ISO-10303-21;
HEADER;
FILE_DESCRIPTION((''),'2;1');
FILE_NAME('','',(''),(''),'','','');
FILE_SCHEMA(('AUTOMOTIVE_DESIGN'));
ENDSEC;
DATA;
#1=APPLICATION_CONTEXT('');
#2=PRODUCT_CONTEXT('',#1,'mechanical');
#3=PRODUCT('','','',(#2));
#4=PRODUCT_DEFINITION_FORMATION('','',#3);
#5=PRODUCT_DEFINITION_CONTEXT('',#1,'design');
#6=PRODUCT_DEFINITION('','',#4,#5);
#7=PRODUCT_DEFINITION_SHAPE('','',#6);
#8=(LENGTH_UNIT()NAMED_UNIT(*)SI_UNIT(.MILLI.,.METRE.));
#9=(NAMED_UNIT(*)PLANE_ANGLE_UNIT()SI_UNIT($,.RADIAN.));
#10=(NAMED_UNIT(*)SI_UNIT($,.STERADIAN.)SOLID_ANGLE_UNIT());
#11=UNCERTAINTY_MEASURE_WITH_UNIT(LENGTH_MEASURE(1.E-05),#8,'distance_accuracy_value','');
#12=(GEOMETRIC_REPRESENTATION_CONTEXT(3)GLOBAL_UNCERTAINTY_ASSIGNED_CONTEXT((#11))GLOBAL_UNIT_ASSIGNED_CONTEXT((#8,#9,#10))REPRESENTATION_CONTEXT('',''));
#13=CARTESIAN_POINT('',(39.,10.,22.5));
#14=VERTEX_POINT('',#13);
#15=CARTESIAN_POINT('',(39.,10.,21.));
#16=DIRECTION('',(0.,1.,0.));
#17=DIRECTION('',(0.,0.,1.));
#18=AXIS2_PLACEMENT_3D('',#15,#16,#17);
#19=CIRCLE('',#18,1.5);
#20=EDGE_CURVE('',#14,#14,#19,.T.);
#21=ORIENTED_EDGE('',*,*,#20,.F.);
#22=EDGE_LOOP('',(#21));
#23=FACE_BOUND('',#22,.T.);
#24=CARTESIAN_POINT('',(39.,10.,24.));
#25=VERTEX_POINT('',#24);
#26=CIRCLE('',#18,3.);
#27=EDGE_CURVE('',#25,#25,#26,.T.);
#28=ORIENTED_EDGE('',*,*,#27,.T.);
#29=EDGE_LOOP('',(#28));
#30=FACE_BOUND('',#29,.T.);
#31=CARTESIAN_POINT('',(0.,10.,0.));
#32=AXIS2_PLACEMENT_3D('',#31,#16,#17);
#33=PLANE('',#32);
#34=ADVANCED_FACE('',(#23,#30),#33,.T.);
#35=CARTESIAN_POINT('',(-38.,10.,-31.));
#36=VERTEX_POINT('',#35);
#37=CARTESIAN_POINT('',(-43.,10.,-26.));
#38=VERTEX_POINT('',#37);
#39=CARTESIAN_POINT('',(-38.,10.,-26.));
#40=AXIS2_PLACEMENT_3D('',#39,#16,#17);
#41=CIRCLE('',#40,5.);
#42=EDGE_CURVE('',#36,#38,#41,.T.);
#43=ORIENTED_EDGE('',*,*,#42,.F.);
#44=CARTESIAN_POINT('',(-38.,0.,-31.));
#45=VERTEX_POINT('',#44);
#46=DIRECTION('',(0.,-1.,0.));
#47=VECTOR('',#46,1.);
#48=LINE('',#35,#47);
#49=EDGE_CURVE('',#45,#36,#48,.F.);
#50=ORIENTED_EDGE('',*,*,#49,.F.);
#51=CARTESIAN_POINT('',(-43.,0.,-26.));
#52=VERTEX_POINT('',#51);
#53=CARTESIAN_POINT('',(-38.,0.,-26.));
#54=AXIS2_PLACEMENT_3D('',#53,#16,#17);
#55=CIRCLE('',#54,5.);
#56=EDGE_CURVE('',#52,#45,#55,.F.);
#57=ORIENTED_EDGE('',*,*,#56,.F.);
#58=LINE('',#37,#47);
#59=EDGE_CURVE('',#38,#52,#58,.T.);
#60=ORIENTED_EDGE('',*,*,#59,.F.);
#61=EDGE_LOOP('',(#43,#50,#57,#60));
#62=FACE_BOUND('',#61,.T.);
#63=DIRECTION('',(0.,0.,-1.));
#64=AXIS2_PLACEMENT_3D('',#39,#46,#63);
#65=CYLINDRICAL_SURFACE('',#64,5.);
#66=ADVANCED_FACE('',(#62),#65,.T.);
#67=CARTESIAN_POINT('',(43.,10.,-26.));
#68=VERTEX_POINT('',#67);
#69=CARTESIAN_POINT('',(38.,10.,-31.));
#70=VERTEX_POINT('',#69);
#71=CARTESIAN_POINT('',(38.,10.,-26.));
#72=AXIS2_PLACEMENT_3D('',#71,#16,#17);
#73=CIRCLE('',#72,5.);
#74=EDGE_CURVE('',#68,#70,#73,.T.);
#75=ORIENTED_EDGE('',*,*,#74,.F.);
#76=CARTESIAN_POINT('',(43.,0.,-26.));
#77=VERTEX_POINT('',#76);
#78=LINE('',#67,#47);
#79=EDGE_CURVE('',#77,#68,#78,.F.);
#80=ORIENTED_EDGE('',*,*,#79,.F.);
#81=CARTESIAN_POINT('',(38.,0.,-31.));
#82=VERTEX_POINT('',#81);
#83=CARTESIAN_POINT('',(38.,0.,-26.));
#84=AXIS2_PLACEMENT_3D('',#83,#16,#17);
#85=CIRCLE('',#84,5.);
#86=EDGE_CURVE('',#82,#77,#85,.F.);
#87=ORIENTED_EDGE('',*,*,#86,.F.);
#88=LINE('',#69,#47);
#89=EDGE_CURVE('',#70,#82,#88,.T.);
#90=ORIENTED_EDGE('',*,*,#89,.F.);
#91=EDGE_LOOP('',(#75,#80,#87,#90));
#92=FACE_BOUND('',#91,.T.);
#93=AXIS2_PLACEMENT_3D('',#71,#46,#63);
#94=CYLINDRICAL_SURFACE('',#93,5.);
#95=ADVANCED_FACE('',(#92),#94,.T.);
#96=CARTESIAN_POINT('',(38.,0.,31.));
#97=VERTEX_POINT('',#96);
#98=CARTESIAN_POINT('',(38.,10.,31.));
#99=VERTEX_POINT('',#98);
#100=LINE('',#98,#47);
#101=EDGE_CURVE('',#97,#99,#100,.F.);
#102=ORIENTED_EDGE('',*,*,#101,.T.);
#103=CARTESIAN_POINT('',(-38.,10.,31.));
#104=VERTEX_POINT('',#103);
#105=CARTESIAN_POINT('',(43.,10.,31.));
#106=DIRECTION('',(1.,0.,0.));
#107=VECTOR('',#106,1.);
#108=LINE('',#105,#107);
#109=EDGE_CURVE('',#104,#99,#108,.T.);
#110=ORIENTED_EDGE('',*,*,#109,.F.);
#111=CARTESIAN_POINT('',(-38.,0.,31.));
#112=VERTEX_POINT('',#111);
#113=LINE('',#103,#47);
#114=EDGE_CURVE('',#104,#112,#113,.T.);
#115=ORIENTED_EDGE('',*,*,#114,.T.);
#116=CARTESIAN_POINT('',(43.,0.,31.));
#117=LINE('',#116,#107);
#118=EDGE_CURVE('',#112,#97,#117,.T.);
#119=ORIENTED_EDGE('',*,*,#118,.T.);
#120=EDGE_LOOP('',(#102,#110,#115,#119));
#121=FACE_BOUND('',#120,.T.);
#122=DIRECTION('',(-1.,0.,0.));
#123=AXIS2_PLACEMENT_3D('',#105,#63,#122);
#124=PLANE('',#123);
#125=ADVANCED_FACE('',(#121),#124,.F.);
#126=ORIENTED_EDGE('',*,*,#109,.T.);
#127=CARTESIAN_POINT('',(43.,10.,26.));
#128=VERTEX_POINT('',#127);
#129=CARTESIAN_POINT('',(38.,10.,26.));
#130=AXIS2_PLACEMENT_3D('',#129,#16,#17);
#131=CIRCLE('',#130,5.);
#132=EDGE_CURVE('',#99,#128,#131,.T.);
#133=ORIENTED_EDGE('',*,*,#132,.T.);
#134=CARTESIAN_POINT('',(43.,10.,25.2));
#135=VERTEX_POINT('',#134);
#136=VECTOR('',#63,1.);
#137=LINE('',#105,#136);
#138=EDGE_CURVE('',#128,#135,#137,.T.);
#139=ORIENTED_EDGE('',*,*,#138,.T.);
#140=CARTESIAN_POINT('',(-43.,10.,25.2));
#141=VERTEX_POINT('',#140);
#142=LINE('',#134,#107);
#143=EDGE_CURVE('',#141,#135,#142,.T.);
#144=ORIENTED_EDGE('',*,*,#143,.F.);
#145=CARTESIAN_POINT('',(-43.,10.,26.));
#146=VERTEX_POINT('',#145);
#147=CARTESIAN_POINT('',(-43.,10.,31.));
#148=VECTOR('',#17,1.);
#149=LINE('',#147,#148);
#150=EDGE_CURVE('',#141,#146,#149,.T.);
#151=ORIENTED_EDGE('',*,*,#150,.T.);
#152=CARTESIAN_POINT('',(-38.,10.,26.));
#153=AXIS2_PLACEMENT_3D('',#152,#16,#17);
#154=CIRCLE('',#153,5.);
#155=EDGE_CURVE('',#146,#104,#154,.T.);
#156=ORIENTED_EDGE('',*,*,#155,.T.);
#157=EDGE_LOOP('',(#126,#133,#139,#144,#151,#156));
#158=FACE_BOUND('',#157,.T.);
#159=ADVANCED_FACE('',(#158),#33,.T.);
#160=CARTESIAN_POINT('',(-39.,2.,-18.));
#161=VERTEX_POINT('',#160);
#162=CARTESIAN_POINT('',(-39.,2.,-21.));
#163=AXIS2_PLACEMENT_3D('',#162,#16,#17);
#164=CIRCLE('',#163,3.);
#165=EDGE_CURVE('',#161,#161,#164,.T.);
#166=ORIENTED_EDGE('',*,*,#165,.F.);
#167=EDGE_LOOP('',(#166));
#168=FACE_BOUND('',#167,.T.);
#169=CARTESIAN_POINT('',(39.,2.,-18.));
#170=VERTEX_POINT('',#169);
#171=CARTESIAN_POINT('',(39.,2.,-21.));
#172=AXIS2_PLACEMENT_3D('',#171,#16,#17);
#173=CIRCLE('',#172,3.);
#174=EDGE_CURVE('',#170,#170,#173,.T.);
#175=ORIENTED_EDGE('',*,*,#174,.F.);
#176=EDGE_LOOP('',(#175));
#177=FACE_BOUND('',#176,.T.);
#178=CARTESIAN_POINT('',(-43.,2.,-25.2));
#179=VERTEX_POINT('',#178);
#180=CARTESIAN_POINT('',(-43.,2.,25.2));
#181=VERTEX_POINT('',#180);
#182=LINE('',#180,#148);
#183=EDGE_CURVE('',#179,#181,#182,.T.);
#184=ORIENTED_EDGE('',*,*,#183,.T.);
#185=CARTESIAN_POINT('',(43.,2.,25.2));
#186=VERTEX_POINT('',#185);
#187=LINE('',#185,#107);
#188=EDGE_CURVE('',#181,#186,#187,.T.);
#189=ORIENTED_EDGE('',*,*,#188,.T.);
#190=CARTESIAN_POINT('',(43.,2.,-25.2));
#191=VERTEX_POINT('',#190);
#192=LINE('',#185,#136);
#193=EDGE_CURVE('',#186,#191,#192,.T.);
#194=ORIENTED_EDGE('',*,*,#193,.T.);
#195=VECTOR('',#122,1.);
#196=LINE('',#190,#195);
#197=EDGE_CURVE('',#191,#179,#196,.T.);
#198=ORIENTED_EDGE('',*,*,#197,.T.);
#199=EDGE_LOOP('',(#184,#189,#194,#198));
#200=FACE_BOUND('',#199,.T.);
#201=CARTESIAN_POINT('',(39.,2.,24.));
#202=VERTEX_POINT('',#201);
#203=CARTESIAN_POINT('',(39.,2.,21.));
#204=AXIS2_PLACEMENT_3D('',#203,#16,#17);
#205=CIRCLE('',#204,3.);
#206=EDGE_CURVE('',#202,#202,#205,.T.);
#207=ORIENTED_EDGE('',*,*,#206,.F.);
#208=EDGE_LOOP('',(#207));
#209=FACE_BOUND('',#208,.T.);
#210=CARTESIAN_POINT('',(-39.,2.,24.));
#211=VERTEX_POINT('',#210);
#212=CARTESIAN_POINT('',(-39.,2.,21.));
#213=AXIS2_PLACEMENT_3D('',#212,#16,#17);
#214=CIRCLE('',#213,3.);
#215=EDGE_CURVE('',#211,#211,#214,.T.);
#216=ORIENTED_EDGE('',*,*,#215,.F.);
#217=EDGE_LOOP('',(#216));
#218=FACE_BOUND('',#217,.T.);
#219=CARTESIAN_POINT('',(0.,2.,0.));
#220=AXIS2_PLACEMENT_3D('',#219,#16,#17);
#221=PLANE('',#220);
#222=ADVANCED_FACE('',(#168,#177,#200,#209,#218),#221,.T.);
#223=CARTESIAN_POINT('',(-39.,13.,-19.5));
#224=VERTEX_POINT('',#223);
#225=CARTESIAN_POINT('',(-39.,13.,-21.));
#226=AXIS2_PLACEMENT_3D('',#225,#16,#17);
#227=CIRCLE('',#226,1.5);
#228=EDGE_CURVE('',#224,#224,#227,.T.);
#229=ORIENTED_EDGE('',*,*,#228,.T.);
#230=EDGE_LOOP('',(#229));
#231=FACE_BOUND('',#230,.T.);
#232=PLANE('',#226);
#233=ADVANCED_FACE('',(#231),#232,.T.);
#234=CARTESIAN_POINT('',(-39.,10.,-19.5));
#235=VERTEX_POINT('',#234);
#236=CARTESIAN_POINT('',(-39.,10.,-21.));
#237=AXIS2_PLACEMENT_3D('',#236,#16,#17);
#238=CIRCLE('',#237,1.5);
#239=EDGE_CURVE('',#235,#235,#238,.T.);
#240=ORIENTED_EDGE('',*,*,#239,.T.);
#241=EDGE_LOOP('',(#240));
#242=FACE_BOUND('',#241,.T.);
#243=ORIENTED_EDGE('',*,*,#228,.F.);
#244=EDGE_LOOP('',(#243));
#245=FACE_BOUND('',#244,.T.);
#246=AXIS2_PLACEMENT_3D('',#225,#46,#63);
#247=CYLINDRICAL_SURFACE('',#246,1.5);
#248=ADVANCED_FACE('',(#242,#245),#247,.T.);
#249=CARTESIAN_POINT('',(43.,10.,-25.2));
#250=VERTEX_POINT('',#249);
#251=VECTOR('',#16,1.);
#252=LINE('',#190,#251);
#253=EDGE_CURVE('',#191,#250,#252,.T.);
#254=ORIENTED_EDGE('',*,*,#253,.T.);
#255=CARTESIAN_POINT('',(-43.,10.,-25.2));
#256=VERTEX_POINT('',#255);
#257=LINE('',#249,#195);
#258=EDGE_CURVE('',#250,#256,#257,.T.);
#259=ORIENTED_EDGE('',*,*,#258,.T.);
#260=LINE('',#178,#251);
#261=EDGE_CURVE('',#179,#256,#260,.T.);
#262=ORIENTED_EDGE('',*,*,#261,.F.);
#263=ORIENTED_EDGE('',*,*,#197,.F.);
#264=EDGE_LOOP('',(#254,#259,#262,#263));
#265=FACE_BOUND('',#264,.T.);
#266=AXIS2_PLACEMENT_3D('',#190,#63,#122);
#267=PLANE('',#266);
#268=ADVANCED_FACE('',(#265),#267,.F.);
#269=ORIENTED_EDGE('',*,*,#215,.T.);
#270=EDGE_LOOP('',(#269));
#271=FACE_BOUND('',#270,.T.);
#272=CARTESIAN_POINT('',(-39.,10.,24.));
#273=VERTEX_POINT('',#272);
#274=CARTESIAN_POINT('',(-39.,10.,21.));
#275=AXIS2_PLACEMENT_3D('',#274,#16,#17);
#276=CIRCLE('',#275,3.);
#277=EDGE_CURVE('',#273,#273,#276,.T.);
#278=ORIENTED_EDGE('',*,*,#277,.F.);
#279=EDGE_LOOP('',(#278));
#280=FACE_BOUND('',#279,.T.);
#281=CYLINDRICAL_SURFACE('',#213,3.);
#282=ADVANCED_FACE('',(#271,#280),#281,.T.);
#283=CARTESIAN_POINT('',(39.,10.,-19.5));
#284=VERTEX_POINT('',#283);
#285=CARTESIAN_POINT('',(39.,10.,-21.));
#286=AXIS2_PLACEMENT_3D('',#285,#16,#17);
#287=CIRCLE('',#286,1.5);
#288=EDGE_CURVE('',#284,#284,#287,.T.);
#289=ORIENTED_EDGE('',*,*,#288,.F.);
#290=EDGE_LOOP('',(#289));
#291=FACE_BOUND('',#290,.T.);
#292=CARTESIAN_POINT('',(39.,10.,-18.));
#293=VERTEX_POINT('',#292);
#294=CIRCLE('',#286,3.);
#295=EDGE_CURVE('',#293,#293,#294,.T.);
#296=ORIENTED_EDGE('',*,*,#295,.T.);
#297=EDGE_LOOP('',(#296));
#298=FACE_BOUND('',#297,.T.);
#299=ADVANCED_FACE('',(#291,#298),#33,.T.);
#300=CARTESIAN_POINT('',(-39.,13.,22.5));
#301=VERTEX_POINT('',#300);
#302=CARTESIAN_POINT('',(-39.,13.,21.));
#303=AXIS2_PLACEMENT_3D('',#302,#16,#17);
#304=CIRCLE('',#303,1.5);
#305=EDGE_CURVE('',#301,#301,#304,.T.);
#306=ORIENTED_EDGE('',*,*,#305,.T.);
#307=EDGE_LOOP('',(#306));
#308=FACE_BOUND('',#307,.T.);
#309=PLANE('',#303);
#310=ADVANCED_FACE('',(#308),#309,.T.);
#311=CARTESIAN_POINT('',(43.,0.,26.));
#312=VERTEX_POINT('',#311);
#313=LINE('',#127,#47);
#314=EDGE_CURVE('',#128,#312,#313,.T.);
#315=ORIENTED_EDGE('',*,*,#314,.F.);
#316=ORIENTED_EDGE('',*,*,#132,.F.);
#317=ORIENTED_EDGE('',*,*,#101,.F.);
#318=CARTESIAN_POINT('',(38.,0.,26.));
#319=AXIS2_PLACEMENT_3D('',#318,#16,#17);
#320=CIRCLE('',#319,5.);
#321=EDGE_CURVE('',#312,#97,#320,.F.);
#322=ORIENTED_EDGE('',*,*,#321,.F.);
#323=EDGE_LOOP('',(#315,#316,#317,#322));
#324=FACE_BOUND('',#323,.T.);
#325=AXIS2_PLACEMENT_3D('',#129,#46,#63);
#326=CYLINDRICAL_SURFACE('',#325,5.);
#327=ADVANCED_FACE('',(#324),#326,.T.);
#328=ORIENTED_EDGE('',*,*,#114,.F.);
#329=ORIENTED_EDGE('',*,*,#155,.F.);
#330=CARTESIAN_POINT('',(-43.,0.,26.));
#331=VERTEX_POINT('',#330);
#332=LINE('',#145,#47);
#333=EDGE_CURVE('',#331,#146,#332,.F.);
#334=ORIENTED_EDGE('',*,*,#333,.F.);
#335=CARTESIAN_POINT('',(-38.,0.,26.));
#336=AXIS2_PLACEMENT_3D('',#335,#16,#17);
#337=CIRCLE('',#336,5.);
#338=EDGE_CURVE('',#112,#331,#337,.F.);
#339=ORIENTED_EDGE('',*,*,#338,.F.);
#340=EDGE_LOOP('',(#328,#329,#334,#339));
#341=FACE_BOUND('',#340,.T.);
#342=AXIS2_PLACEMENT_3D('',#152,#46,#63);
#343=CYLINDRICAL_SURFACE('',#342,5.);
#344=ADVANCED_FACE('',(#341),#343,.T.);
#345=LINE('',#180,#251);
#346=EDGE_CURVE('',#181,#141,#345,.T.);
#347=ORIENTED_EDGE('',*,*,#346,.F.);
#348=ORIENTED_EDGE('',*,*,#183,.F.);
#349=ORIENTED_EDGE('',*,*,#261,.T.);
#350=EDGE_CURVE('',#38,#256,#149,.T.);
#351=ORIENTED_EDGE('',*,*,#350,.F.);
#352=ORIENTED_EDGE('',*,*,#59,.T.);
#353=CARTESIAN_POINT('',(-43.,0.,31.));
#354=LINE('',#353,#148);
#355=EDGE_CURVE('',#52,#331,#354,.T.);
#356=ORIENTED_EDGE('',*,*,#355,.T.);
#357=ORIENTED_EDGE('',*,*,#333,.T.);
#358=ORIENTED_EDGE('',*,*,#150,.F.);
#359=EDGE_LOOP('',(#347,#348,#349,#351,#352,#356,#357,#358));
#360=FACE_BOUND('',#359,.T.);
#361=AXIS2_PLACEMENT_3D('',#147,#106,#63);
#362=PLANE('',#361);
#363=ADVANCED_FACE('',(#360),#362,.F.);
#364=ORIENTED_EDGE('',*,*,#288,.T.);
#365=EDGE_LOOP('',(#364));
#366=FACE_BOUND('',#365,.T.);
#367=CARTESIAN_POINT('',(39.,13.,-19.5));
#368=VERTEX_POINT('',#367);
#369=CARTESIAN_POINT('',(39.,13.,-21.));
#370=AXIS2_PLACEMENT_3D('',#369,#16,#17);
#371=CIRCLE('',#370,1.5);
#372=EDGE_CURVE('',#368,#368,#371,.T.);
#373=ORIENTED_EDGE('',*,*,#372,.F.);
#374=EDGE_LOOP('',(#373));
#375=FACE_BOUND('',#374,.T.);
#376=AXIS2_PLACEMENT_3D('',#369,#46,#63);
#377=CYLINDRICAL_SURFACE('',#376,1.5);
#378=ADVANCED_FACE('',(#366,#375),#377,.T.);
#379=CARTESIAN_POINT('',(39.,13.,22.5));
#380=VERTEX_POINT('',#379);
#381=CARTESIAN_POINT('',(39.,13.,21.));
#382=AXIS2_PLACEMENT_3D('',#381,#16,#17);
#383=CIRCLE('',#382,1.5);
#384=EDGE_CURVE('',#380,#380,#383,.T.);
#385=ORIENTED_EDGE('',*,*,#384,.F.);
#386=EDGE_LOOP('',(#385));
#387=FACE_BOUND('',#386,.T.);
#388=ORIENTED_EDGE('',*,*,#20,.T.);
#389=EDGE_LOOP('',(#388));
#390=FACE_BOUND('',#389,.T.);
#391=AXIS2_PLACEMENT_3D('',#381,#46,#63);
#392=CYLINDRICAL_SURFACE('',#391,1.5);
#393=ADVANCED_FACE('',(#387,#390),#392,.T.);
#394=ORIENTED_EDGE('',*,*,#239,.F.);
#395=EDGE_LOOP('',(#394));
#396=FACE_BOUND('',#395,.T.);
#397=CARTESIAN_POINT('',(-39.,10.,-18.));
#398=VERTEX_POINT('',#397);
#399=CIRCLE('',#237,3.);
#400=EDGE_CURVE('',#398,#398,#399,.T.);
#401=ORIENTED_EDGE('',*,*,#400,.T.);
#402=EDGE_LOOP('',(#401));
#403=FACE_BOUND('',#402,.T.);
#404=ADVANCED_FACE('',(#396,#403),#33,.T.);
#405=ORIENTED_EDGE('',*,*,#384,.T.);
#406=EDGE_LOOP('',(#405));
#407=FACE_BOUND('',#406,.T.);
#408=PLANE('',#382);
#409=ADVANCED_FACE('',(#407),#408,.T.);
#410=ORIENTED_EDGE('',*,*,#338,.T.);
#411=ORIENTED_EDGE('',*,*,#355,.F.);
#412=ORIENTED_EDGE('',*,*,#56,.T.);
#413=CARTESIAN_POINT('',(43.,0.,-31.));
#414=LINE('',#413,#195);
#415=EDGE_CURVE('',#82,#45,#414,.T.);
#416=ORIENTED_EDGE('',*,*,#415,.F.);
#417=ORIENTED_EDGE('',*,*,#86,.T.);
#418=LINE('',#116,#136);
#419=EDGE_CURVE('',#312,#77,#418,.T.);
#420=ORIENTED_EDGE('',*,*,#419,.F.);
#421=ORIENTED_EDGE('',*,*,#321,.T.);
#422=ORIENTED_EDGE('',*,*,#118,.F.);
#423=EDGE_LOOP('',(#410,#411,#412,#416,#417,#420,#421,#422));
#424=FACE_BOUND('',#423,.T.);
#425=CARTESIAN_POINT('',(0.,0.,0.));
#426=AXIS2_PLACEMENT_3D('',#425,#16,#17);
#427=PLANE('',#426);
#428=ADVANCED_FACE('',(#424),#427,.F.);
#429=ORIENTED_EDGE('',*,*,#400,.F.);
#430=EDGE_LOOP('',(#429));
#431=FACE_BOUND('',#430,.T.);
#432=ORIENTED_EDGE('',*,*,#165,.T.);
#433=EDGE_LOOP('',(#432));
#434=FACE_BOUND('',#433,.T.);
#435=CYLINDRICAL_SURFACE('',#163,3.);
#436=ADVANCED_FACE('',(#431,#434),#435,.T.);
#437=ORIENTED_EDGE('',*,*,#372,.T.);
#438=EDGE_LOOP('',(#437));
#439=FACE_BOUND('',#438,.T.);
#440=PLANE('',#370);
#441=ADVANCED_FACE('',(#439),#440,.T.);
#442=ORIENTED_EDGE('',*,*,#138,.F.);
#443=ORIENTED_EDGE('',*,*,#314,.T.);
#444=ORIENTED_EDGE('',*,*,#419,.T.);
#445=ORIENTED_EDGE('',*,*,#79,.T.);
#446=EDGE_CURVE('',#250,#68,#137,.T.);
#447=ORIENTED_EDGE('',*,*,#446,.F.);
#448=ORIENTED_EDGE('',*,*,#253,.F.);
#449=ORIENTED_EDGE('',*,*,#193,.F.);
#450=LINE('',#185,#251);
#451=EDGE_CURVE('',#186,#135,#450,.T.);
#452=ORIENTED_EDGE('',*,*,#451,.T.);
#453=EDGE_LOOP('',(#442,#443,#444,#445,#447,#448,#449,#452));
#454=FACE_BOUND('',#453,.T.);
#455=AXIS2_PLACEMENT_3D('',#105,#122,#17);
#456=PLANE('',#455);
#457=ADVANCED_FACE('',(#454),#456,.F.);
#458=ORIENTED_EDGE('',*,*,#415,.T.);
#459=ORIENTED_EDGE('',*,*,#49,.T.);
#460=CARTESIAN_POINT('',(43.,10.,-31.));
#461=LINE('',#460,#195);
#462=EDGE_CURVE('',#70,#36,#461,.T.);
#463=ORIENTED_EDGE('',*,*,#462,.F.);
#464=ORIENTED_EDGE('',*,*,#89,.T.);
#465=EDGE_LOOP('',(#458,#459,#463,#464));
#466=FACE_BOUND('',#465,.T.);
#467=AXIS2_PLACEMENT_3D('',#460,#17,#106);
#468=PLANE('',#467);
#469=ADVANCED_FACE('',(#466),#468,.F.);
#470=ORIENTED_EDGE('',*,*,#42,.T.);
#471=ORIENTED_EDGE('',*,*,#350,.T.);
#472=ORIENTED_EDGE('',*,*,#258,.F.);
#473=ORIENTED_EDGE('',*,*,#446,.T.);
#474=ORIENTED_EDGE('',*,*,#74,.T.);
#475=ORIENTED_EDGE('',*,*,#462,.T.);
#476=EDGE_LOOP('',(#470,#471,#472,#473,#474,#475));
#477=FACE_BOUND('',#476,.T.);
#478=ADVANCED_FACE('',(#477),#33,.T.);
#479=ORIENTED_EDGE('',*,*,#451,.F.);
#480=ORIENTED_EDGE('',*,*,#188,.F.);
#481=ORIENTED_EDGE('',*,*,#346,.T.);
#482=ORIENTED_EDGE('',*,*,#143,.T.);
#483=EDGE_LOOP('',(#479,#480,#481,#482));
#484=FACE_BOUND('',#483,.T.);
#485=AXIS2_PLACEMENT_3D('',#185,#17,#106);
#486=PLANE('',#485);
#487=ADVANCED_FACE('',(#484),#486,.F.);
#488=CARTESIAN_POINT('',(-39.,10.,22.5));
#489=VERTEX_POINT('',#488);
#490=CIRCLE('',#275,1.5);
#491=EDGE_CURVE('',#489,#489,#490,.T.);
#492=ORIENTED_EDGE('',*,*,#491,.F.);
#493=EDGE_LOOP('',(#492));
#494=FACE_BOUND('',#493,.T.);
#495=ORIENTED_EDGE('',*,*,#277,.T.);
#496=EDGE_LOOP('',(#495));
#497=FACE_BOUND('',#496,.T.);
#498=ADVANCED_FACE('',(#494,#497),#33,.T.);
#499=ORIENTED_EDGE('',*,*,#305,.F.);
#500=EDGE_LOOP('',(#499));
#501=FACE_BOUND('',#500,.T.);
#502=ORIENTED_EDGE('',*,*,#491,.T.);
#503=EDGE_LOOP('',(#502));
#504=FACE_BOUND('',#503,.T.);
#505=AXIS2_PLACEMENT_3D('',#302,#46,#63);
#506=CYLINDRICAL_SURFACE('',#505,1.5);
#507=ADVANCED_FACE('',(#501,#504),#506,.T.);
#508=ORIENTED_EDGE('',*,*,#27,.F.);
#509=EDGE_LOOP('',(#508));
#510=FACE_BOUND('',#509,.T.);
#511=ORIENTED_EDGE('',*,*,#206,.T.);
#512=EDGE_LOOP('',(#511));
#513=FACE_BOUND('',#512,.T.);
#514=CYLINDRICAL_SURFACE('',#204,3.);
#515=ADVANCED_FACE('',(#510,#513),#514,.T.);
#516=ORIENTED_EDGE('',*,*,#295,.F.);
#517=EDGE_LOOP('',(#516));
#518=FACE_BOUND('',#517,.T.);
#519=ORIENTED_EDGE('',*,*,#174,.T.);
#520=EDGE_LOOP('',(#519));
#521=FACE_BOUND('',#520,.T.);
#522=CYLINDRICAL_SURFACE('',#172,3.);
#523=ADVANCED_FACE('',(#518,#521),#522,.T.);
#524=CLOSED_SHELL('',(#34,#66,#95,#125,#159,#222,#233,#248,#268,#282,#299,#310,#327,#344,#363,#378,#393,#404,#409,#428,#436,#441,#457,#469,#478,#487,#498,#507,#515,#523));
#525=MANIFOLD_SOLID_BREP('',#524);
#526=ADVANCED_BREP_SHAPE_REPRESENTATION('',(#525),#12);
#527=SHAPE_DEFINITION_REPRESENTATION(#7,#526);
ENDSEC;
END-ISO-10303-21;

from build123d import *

# Parameters (mm, degrees)
SKETCH_1_W          = 86
SKETCH_1_H          = 62
EXTRUDE_1_DEPTH     = 10
SKETCH_2_W          = 86
SKETCH_2_H          = 50.4
SKETCH_2_R          = 3
CUT_EXTRUDE_1_DEPTH = 8
SKETCH_3_R          = 1.5
EXTRUDE_2_DEPTH     = 3
FILLET_1_R          = 5


with BuildPart() as part:
    # 草图1 → 凸台-拉伸1 (new body)
    with BuildSketch(Plane(origin=(0, 0, 0), x_dir=(1, 0, 0), z_dir=(0, 1, 0))):
        Rectangle(SKETCH_1_W, SKETCH_1_H)
    extrude(amount=EXTRUDE_1_DEPTH)

    # 草图2 → 切除-拉伸1 (cut)
    with BuildSketch(Plane(origin=(0, 10, 0), x_dir=(1, 0, 0), z_dir=(0, 1, 0))):
        Rectangle(SKETCH_2_W, SKETCH_2_H)
        with Locations(Location((-39, 21, 0), (0, 0, 270))):
            Circle(SKETCH_2_R, mode=Mode.SUBTRACT)
        with Locations(Location((39, 21, 0), (0, 0, 270))):
            Circle(SKETCH_2_R, mode=Mode.SUBTRACT)
        with Locations(Location((39, -21, 0), (0, 0, 270))):
            Circle(SKETCH_2_R, mode=Mode.SUBTRACT)
        with Locations(Location((-39, -21, 0), (0, 0, 270))):
            Circle(SKETCH_2_R, mode=Mode.SUBTRACT)
    extrude(amount=-CUT_EXTRUDE_1_DEPTH, mode=Mode.SUBTRACT)

    # 草图3 → 凸台-拉伸2 (add)
    with BuildSketch(Plane(origin=(0, 10, 0), x_dir=(1, 0, 0), z_dir=(0, 1, 0))):
        with Locations(Location((-39, 21, 0), (0, 0, 270))):
            Circle(SKETCH_3_R)
        with Locations(Location((39, 21, 0), (0, 0, 270))):
            Circle(SKETCH_3_R)
        with Locations(Location((39, -21, 0), (0, 0, 270))):
            Circle(SKETCH_3_R)
        with Locations(Location((-39, -21, 0), (0, 0, 270))):
            Circle(SKETCH_3_R)
    extrude(amount=EXTRUDE_2_DEPTH)

    # 圆角1
    fillet_1_edges = [part.edges().sort_by_distance(p)[0] for p in [
        (-43, 5, -31),
        (43, 5, -31),
        (43, 5, 31),
        (-43, 5, 31),
    ]]
    fillet(fillet_1_edges, radius=FILLET_1_R)


solid = part.part
